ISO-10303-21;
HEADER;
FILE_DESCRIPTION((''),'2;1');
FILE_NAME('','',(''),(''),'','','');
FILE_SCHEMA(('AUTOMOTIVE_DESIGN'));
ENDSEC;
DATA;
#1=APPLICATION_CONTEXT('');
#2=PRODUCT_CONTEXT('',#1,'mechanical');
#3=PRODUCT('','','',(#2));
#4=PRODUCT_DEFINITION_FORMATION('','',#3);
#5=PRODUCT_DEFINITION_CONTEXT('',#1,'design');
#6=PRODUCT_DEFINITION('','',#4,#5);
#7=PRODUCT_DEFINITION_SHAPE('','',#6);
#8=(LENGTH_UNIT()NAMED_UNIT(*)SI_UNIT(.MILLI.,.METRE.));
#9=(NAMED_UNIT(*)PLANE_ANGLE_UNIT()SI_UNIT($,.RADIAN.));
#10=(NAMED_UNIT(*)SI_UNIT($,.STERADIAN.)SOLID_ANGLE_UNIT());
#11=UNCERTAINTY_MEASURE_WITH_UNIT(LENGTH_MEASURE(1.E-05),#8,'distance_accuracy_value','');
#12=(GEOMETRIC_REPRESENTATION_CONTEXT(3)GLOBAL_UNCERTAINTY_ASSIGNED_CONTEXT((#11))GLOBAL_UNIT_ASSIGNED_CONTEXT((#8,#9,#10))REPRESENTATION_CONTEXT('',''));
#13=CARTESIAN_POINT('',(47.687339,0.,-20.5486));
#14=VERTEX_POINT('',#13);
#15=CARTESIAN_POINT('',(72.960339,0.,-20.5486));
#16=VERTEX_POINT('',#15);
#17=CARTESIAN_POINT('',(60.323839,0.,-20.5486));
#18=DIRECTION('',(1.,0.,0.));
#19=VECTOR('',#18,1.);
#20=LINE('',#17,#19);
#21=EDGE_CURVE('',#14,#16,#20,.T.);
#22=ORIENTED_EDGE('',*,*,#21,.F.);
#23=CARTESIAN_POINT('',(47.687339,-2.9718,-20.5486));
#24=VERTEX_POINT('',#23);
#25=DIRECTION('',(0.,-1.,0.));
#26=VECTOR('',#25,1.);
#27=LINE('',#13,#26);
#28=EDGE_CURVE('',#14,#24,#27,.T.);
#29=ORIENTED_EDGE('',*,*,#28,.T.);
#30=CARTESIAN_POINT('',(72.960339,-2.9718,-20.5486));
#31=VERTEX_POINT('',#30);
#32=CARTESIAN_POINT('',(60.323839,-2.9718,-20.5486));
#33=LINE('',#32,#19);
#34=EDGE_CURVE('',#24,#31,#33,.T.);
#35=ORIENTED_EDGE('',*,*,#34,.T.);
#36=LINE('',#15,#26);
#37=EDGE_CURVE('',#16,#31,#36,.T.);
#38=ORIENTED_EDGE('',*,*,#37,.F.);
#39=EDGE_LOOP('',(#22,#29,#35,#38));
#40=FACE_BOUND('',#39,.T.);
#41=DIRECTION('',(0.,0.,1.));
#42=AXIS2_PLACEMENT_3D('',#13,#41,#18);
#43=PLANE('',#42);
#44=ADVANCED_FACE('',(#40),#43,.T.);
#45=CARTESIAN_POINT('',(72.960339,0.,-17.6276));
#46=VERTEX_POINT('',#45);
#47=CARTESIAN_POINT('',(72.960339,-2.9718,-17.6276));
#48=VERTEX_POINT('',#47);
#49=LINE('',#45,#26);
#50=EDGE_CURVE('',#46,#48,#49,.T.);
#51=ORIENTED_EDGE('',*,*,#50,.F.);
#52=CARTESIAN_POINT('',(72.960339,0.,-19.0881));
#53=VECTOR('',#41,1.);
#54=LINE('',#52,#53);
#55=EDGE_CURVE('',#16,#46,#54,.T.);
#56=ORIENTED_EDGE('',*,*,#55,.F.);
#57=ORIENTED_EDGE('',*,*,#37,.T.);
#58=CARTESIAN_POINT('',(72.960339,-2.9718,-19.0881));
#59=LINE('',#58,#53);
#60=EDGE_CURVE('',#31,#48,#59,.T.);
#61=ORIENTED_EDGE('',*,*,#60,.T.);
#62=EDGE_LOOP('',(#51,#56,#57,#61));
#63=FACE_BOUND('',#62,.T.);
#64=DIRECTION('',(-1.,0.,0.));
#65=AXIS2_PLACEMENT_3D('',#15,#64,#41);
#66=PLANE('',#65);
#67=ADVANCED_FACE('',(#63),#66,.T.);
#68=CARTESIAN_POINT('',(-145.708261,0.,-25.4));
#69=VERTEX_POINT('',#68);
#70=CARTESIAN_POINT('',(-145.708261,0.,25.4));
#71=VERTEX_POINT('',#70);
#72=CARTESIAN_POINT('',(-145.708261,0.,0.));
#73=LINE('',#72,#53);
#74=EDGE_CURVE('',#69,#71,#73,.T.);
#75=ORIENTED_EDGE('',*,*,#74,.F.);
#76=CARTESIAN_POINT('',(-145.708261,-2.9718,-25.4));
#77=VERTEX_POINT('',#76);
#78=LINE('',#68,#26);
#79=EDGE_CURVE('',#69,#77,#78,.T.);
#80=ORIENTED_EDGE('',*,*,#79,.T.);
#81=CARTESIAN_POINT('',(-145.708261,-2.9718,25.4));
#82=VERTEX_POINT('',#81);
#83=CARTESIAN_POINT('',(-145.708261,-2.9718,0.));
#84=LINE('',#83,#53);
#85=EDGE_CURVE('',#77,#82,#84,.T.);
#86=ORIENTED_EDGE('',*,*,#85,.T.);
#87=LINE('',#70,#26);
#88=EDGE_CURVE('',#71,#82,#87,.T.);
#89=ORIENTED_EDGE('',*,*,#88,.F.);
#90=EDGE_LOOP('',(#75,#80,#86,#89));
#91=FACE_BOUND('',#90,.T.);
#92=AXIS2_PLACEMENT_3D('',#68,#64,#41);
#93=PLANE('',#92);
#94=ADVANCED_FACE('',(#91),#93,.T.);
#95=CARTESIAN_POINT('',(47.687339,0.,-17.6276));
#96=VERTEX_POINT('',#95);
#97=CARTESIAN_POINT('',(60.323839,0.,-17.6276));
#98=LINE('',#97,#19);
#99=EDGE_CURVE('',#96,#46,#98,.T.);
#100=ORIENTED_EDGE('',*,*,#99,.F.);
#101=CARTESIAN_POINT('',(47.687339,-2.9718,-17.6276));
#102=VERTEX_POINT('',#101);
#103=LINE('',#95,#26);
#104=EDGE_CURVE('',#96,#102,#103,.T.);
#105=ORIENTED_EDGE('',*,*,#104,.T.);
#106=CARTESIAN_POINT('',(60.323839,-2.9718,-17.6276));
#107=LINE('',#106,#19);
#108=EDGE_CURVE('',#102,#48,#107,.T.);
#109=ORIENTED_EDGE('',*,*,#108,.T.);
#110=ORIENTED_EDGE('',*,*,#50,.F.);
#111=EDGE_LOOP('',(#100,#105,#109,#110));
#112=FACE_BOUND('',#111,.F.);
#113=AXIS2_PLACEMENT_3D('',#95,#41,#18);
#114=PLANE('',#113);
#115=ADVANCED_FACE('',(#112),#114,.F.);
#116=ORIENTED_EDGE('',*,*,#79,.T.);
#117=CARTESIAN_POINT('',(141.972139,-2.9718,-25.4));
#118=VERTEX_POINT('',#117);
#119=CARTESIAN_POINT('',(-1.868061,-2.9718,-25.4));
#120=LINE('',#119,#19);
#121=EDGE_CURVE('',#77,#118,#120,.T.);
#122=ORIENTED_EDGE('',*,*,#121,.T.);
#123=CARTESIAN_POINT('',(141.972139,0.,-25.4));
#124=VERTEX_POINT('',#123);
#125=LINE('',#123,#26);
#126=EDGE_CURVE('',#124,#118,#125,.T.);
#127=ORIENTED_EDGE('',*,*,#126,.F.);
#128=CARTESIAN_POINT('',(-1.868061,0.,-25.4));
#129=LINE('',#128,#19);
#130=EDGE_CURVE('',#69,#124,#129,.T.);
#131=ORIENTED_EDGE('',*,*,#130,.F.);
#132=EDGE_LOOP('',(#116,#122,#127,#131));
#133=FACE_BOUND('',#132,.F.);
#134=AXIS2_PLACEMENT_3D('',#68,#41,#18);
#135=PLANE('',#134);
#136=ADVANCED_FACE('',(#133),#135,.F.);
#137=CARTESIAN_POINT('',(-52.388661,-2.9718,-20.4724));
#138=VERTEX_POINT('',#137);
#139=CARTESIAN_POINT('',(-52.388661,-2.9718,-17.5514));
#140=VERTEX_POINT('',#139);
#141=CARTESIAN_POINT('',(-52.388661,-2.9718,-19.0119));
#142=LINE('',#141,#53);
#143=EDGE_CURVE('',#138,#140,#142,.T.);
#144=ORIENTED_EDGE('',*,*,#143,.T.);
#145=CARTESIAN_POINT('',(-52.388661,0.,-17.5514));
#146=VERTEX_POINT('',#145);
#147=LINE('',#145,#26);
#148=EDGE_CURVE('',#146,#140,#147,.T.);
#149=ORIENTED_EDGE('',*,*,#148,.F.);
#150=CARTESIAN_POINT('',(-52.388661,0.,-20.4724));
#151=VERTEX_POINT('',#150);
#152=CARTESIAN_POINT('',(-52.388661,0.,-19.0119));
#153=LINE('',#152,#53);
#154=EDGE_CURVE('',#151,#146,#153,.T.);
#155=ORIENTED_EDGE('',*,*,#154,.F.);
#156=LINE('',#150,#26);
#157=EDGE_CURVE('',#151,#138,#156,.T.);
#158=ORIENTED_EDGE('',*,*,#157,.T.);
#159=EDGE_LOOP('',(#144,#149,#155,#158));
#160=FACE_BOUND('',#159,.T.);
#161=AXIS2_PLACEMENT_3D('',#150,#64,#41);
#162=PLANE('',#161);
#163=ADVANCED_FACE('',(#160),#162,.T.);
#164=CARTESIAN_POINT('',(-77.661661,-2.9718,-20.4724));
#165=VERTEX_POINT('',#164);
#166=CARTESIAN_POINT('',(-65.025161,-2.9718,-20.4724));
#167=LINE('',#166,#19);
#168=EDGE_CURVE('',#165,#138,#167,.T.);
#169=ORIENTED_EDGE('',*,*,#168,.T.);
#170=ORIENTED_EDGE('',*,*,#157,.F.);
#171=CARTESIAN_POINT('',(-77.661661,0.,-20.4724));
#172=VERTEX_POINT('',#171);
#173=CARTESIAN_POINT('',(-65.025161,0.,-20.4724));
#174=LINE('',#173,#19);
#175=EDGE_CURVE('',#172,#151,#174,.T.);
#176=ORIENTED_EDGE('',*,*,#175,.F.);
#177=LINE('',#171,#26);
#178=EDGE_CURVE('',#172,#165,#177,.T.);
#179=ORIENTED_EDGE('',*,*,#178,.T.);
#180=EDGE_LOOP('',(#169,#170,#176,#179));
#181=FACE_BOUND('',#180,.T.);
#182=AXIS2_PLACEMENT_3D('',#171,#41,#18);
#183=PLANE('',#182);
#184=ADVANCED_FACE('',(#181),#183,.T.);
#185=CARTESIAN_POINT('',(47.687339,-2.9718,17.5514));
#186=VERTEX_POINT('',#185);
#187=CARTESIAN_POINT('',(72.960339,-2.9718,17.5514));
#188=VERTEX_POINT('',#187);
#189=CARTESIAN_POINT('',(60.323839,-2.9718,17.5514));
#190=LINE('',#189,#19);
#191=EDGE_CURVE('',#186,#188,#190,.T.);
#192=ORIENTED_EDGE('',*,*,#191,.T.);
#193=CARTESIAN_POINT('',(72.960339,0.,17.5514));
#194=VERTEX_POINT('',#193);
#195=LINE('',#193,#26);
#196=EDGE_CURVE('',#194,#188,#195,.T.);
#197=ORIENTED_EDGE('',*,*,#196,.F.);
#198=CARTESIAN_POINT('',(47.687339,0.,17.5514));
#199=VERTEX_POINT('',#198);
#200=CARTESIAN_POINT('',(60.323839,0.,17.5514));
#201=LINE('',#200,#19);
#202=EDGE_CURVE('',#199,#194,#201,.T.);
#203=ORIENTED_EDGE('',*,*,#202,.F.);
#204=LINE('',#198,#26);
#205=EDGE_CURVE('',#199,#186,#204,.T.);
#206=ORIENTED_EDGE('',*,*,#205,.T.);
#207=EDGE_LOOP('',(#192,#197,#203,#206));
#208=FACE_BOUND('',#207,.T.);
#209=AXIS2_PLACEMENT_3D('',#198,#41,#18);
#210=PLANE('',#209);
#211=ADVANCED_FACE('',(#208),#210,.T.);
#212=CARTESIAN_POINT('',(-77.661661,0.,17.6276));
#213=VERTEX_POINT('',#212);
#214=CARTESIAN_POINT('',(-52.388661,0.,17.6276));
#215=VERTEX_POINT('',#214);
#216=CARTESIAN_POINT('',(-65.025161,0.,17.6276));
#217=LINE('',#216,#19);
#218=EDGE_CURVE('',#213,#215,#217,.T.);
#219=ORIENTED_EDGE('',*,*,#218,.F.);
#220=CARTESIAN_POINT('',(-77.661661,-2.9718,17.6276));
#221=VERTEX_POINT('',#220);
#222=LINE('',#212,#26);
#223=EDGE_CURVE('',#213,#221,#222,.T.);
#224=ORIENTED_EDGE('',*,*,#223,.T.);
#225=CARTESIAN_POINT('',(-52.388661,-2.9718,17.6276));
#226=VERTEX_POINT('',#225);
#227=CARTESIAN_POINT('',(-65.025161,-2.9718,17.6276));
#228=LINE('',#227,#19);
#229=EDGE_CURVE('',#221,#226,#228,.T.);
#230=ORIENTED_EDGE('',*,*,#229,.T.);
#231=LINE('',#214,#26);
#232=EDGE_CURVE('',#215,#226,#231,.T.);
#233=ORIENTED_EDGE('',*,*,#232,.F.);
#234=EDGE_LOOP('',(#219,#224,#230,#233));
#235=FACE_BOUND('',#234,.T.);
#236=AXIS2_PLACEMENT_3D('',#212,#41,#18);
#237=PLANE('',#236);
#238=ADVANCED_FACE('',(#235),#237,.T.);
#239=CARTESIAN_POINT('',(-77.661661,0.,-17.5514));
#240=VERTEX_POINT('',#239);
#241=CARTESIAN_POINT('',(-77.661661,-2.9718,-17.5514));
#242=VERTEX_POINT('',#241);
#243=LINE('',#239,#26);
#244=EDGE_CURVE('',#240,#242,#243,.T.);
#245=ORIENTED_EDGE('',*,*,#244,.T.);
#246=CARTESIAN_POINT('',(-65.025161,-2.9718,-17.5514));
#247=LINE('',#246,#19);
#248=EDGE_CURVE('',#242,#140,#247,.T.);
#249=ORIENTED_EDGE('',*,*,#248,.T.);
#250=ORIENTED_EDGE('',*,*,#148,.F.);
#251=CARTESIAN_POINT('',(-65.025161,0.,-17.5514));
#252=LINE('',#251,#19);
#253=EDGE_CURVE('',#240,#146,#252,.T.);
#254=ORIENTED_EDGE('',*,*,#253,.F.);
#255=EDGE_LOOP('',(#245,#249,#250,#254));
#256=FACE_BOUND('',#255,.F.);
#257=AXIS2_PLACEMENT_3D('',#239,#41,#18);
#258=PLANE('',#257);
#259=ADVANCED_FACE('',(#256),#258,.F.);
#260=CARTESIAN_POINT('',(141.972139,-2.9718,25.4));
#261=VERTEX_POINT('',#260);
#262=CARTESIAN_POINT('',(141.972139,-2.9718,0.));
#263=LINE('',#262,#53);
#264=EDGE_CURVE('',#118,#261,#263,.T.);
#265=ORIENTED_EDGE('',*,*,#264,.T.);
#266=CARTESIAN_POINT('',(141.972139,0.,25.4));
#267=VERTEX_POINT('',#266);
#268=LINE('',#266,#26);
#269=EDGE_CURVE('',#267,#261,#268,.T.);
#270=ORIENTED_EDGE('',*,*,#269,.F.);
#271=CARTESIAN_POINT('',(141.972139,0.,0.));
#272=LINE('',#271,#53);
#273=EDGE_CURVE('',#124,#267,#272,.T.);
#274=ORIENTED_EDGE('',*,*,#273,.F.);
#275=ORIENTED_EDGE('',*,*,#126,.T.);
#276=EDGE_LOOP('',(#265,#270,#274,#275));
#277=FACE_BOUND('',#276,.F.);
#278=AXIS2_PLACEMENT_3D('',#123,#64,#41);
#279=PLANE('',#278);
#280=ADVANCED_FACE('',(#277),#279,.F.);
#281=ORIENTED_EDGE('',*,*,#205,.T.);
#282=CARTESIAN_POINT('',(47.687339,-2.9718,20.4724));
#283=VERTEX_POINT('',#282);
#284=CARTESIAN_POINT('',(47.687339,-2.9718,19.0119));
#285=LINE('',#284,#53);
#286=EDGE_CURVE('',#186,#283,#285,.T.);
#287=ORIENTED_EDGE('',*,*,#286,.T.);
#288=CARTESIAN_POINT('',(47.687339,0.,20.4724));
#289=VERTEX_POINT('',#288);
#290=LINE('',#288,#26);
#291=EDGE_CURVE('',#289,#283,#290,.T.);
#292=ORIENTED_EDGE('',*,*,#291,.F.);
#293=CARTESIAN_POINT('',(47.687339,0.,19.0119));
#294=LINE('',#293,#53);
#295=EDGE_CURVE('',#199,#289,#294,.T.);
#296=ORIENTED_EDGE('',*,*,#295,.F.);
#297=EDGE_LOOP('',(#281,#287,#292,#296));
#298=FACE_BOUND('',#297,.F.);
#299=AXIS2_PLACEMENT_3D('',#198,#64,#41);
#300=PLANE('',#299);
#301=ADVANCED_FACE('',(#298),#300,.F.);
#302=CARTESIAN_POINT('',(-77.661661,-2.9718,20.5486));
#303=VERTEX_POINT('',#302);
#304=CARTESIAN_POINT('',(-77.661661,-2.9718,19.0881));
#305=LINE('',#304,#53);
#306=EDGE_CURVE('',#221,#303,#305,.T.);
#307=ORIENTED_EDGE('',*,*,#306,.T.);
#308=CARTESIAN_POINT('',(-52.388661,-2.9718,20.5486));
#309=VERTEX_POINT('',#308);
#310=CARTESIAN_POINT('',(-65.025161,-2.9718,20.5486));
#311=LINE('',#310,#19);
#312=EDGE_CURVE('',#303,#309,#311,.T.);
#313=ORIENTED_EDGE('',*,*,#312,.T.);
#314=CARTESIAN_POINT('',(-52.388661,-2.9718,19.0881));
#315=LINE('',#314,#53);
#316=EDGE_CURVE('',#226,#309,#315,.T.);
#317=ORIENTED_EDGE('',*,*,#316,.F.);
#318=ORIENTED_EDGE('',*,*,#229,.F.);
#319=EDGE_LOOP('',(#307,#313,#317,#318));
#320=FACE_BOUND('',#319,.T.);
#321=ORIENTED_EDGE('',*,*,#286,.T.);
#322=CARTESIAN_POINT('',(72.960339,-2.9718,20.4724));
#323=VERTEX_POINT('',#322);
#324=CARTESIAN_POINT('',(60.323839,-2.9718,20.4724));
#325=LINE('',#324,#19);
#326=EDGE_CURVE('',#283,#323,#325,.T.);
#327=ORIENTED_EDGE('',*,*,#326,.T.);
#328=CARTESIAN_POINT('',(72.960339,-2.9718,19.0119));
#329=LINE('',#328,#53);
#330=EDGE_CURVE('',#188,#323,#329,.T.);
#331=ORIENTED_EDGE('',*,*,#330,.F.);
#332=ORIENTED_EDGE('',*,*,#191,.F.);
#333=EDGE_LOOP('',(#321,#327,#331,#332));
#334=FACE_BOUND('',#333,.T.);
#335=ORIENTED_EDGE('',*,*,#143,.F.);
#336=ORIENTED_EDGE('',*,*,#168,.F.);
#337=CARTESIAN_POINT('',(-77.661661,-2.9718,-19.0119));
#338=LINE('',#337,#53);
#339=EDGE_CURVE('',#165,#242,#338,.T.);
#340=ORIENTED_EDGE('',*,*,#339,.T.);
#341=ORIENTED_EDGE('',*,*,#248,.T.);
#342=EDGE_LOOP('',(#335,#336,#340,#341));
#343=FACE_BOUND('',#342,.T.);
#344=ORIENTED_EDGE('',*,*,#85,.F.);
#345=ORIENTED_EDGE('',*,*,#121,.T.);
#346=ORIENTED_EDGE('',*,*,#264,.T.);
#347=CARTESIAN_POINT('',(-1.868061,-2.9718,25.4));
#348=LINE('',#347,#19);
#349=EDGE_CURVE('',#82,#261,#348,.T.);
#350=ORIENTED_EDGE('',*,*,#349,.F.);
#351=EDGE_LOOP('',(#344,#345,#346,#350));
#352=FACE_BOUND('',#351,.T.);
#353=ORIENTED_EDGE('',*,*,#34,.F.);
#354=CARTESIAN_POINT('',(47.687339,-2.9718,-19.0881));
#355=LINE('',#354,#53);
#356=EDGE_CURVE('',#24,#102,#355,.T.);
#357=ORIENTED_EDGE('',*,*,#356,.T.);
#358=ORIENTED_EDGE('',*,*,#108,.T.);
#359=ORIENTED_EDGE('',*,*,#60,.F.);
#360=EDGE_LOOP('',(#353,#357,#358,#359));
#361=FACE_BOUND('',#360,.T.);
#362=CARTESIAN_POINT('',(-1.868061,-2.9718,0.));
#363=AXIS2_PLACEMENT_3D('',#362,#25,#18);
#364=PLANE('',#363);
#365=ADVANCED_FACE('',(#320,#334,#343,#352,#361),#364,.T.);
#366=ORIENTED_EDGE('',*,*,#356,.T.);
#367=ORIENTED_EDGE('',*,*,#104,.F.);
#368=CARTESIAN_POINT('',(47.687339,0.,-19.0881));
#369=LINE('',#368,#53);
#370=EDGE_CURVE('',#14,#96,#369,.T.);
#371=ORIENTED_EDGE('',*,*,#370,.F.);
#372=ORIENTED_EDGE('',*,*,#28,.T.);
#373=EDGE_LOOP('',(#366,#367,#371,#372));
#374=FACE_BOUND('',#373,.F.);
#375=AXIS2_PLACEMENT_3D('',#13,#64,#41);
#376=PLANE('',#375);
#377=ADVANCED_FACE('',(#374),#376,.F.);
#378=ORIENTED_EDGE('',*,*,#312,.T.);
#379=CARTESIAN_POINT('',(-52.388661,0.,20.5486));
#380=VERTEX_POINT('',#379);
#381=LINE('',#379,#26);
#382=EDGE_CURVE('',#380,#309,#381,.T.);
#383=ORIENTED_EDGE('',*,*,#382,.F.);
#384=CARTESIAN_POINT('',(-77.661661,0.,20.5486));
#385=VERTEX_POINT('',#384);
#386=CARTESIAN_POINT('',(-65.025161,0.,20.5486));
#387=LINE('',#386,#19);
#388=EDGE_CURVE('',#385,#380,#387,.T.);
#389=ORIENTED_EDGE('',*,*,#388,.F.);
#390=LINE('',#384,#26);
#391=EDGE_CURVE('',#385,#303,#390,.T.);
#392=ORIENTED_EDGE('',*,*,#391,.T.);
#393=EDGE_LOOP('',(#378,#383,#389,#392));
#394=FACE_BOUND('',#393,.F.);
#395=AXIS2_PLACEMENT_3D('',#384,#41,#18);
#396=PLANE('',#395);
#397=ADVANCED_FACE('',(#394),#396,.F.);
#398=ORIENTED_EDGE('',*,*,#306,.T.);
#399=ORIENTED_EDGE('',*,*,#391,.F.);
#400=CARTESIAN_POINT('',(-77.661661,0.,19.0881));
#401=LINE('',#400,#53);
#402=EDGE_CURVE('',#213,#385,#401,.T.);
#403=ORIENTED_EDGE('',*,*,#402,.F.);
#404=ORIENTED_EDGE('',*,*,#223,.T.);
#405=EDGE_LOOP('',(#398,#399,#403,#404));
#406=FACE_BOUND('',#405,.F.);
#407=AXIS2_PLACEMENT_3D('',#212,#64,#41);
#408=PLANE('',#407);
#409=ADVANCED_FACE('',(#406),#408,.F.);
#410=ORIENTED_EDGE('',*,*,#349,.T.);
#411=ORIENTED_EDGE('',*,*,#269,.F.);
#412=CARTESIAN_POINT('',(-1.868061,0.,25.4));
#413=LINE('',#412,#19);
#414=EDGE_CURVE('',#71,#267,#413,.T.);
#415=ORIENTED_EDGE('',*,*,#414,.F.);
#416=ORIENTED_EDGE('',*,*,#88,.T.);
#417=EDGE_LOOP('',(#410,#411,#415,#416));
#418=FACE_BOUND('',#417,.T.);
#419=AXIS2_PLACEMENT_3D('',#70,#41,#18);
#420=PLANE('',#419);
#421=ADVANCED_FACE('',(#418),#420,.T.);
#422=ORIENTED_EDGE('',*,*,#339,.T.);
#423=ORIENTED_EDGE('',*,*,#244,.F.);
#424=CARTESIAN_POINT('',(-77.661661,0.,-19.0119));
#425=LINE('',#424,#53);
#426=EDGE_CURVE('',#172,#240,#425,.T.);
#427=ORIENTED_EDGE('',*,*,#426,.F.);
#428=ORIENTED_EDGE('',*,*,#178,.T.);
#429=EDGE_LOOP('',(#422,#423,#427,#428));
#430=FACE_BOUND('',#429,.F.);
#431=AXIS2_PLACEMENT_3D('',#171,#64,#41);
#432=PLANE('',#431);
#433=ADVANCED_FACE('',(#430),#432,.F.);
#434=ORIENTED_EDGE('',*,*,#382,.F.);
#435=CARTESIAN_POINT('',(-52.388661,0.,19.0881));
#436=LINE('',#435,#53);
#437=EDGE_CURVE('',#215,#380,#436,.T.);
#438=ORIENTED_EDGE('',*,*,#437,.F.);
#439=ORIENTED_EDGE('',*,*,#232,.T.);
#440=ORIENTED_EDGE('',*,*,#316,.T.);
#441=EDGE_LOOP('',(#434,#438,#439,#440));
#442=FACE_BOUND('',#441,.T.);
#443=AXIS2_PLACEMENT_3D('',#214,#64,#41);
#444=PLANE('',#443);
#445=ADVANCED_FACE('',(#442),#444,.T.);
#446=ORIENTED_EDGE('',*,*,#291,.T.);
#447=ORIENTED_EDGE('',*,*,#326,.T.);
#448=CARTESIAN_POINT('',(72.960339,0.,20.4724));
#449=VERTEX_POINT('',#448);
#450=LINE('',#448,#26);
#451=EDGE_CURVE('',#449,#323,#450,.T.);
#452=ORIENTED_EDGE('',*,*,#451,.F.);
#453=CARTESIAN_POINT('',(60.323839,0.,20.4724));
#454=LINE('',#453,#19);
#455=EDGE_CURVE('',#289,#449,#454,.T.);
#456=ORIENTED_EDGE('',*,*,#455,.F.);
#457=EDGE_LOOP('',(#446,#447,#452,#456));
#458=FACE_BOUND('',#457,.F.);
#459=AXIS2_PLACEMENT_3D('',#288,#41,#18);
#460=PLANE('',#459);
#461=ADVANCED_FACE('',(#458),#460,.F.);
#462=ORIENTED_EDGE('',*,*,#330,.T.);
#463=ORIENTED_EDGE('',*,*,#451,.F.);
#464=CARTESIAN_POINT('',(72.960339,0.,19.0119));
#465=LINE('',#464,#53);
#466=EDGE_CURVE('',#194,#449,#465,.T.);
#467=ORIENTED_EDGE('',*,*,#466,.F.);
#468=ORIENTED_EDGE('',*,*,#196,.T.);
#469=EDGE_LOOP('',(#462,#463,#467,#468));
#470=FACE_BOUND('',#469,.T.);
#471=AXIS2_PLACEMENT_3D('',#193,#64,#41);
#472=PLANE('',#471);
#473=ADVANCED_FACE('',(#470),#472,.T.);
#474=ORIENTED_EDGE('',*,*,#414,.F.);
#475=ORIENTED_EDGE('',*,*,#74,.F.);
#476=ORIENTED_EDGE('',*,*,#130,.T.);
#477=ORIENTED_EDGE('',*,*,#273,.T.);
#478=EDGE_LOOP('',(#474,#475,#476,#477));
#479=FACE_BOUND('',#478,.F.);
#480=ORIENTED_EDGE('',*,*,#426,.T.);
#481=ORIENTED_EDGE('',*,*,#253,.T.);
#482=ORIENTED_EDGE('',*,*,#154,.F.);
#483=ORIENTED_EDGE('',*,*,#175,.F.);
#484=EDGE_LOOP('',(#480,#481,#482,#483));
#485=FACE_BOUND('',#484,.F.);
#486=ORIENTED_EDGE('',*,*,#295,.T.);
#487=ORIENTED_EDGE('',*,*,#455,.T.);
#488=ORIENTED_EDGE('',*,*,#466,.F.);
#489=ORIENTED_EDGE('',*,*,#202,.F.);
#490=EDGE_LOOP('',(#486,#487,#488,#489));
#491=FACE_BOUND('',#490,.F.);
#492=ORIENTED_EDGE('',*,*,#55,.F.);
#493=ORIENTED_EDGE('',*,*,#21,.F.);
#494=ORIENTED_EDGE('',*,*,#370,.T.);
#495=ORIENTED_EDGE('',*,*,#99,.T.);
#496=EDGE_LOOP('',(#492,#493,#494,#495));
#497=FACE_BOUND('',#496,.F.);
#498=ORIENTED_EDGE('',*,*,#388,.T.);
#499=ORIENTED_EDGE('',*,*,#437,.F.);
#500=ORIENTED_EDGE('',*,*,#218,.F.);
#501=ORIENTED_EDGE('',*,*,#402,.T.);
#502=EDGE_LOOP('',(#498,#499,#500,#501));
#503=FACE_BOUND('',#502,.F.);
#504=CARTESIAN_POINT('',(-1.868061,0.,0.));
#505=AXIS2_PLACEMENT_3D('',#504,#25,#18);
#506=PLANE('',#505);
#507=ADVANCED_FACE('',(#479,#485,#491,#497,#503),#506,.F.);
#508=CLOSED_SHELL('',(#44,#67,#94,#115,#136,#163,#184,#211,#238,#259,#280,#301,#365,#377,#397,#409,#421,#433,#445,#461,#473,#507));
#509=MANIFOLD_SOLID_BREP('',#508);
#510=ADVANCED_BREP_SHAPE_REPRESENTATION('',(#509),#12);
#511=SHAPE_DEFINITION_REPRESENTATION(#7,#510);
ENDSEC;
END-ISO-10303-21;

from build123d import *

# Parameters (mm, degrees)
F0_W     = 287.6804
F0_H     = 50.8
F0_W_2   = 25.273
F0_H_2   = 2.921
F1_DEPTH = 2.9718


with BuildPart() as f1:
    # F0 (on Front) → F1 (new body)
    with BuildSketch(Plane.XZ):
        with Locations((-1.868061, 0)):
            Rectangle(F0_W, F0_H)
        with Locations((-65.025161, -19.0119)):
            Rectangle(F0_W_2, F0_H_2, mode=Mode.SUBTRACT)
        with Locations((60.323839, -19.0881)):
            Rectangle(F0_W_2, F0_H_2, mode=Mode.SUBTRACT)
        with Locations((-65.025161, 19.0881)):
            Rectangle(F0_W_2, F0_H_2, mode=Mode.SUBTRACT)
        with Locations((60.323839, 19.0119)):
            Rectangle(F0_W_2, F0_H_2, mode=Mode.SUBTRACT)
    extrude(amount=F1_DEPTH)


solid = f1.part
